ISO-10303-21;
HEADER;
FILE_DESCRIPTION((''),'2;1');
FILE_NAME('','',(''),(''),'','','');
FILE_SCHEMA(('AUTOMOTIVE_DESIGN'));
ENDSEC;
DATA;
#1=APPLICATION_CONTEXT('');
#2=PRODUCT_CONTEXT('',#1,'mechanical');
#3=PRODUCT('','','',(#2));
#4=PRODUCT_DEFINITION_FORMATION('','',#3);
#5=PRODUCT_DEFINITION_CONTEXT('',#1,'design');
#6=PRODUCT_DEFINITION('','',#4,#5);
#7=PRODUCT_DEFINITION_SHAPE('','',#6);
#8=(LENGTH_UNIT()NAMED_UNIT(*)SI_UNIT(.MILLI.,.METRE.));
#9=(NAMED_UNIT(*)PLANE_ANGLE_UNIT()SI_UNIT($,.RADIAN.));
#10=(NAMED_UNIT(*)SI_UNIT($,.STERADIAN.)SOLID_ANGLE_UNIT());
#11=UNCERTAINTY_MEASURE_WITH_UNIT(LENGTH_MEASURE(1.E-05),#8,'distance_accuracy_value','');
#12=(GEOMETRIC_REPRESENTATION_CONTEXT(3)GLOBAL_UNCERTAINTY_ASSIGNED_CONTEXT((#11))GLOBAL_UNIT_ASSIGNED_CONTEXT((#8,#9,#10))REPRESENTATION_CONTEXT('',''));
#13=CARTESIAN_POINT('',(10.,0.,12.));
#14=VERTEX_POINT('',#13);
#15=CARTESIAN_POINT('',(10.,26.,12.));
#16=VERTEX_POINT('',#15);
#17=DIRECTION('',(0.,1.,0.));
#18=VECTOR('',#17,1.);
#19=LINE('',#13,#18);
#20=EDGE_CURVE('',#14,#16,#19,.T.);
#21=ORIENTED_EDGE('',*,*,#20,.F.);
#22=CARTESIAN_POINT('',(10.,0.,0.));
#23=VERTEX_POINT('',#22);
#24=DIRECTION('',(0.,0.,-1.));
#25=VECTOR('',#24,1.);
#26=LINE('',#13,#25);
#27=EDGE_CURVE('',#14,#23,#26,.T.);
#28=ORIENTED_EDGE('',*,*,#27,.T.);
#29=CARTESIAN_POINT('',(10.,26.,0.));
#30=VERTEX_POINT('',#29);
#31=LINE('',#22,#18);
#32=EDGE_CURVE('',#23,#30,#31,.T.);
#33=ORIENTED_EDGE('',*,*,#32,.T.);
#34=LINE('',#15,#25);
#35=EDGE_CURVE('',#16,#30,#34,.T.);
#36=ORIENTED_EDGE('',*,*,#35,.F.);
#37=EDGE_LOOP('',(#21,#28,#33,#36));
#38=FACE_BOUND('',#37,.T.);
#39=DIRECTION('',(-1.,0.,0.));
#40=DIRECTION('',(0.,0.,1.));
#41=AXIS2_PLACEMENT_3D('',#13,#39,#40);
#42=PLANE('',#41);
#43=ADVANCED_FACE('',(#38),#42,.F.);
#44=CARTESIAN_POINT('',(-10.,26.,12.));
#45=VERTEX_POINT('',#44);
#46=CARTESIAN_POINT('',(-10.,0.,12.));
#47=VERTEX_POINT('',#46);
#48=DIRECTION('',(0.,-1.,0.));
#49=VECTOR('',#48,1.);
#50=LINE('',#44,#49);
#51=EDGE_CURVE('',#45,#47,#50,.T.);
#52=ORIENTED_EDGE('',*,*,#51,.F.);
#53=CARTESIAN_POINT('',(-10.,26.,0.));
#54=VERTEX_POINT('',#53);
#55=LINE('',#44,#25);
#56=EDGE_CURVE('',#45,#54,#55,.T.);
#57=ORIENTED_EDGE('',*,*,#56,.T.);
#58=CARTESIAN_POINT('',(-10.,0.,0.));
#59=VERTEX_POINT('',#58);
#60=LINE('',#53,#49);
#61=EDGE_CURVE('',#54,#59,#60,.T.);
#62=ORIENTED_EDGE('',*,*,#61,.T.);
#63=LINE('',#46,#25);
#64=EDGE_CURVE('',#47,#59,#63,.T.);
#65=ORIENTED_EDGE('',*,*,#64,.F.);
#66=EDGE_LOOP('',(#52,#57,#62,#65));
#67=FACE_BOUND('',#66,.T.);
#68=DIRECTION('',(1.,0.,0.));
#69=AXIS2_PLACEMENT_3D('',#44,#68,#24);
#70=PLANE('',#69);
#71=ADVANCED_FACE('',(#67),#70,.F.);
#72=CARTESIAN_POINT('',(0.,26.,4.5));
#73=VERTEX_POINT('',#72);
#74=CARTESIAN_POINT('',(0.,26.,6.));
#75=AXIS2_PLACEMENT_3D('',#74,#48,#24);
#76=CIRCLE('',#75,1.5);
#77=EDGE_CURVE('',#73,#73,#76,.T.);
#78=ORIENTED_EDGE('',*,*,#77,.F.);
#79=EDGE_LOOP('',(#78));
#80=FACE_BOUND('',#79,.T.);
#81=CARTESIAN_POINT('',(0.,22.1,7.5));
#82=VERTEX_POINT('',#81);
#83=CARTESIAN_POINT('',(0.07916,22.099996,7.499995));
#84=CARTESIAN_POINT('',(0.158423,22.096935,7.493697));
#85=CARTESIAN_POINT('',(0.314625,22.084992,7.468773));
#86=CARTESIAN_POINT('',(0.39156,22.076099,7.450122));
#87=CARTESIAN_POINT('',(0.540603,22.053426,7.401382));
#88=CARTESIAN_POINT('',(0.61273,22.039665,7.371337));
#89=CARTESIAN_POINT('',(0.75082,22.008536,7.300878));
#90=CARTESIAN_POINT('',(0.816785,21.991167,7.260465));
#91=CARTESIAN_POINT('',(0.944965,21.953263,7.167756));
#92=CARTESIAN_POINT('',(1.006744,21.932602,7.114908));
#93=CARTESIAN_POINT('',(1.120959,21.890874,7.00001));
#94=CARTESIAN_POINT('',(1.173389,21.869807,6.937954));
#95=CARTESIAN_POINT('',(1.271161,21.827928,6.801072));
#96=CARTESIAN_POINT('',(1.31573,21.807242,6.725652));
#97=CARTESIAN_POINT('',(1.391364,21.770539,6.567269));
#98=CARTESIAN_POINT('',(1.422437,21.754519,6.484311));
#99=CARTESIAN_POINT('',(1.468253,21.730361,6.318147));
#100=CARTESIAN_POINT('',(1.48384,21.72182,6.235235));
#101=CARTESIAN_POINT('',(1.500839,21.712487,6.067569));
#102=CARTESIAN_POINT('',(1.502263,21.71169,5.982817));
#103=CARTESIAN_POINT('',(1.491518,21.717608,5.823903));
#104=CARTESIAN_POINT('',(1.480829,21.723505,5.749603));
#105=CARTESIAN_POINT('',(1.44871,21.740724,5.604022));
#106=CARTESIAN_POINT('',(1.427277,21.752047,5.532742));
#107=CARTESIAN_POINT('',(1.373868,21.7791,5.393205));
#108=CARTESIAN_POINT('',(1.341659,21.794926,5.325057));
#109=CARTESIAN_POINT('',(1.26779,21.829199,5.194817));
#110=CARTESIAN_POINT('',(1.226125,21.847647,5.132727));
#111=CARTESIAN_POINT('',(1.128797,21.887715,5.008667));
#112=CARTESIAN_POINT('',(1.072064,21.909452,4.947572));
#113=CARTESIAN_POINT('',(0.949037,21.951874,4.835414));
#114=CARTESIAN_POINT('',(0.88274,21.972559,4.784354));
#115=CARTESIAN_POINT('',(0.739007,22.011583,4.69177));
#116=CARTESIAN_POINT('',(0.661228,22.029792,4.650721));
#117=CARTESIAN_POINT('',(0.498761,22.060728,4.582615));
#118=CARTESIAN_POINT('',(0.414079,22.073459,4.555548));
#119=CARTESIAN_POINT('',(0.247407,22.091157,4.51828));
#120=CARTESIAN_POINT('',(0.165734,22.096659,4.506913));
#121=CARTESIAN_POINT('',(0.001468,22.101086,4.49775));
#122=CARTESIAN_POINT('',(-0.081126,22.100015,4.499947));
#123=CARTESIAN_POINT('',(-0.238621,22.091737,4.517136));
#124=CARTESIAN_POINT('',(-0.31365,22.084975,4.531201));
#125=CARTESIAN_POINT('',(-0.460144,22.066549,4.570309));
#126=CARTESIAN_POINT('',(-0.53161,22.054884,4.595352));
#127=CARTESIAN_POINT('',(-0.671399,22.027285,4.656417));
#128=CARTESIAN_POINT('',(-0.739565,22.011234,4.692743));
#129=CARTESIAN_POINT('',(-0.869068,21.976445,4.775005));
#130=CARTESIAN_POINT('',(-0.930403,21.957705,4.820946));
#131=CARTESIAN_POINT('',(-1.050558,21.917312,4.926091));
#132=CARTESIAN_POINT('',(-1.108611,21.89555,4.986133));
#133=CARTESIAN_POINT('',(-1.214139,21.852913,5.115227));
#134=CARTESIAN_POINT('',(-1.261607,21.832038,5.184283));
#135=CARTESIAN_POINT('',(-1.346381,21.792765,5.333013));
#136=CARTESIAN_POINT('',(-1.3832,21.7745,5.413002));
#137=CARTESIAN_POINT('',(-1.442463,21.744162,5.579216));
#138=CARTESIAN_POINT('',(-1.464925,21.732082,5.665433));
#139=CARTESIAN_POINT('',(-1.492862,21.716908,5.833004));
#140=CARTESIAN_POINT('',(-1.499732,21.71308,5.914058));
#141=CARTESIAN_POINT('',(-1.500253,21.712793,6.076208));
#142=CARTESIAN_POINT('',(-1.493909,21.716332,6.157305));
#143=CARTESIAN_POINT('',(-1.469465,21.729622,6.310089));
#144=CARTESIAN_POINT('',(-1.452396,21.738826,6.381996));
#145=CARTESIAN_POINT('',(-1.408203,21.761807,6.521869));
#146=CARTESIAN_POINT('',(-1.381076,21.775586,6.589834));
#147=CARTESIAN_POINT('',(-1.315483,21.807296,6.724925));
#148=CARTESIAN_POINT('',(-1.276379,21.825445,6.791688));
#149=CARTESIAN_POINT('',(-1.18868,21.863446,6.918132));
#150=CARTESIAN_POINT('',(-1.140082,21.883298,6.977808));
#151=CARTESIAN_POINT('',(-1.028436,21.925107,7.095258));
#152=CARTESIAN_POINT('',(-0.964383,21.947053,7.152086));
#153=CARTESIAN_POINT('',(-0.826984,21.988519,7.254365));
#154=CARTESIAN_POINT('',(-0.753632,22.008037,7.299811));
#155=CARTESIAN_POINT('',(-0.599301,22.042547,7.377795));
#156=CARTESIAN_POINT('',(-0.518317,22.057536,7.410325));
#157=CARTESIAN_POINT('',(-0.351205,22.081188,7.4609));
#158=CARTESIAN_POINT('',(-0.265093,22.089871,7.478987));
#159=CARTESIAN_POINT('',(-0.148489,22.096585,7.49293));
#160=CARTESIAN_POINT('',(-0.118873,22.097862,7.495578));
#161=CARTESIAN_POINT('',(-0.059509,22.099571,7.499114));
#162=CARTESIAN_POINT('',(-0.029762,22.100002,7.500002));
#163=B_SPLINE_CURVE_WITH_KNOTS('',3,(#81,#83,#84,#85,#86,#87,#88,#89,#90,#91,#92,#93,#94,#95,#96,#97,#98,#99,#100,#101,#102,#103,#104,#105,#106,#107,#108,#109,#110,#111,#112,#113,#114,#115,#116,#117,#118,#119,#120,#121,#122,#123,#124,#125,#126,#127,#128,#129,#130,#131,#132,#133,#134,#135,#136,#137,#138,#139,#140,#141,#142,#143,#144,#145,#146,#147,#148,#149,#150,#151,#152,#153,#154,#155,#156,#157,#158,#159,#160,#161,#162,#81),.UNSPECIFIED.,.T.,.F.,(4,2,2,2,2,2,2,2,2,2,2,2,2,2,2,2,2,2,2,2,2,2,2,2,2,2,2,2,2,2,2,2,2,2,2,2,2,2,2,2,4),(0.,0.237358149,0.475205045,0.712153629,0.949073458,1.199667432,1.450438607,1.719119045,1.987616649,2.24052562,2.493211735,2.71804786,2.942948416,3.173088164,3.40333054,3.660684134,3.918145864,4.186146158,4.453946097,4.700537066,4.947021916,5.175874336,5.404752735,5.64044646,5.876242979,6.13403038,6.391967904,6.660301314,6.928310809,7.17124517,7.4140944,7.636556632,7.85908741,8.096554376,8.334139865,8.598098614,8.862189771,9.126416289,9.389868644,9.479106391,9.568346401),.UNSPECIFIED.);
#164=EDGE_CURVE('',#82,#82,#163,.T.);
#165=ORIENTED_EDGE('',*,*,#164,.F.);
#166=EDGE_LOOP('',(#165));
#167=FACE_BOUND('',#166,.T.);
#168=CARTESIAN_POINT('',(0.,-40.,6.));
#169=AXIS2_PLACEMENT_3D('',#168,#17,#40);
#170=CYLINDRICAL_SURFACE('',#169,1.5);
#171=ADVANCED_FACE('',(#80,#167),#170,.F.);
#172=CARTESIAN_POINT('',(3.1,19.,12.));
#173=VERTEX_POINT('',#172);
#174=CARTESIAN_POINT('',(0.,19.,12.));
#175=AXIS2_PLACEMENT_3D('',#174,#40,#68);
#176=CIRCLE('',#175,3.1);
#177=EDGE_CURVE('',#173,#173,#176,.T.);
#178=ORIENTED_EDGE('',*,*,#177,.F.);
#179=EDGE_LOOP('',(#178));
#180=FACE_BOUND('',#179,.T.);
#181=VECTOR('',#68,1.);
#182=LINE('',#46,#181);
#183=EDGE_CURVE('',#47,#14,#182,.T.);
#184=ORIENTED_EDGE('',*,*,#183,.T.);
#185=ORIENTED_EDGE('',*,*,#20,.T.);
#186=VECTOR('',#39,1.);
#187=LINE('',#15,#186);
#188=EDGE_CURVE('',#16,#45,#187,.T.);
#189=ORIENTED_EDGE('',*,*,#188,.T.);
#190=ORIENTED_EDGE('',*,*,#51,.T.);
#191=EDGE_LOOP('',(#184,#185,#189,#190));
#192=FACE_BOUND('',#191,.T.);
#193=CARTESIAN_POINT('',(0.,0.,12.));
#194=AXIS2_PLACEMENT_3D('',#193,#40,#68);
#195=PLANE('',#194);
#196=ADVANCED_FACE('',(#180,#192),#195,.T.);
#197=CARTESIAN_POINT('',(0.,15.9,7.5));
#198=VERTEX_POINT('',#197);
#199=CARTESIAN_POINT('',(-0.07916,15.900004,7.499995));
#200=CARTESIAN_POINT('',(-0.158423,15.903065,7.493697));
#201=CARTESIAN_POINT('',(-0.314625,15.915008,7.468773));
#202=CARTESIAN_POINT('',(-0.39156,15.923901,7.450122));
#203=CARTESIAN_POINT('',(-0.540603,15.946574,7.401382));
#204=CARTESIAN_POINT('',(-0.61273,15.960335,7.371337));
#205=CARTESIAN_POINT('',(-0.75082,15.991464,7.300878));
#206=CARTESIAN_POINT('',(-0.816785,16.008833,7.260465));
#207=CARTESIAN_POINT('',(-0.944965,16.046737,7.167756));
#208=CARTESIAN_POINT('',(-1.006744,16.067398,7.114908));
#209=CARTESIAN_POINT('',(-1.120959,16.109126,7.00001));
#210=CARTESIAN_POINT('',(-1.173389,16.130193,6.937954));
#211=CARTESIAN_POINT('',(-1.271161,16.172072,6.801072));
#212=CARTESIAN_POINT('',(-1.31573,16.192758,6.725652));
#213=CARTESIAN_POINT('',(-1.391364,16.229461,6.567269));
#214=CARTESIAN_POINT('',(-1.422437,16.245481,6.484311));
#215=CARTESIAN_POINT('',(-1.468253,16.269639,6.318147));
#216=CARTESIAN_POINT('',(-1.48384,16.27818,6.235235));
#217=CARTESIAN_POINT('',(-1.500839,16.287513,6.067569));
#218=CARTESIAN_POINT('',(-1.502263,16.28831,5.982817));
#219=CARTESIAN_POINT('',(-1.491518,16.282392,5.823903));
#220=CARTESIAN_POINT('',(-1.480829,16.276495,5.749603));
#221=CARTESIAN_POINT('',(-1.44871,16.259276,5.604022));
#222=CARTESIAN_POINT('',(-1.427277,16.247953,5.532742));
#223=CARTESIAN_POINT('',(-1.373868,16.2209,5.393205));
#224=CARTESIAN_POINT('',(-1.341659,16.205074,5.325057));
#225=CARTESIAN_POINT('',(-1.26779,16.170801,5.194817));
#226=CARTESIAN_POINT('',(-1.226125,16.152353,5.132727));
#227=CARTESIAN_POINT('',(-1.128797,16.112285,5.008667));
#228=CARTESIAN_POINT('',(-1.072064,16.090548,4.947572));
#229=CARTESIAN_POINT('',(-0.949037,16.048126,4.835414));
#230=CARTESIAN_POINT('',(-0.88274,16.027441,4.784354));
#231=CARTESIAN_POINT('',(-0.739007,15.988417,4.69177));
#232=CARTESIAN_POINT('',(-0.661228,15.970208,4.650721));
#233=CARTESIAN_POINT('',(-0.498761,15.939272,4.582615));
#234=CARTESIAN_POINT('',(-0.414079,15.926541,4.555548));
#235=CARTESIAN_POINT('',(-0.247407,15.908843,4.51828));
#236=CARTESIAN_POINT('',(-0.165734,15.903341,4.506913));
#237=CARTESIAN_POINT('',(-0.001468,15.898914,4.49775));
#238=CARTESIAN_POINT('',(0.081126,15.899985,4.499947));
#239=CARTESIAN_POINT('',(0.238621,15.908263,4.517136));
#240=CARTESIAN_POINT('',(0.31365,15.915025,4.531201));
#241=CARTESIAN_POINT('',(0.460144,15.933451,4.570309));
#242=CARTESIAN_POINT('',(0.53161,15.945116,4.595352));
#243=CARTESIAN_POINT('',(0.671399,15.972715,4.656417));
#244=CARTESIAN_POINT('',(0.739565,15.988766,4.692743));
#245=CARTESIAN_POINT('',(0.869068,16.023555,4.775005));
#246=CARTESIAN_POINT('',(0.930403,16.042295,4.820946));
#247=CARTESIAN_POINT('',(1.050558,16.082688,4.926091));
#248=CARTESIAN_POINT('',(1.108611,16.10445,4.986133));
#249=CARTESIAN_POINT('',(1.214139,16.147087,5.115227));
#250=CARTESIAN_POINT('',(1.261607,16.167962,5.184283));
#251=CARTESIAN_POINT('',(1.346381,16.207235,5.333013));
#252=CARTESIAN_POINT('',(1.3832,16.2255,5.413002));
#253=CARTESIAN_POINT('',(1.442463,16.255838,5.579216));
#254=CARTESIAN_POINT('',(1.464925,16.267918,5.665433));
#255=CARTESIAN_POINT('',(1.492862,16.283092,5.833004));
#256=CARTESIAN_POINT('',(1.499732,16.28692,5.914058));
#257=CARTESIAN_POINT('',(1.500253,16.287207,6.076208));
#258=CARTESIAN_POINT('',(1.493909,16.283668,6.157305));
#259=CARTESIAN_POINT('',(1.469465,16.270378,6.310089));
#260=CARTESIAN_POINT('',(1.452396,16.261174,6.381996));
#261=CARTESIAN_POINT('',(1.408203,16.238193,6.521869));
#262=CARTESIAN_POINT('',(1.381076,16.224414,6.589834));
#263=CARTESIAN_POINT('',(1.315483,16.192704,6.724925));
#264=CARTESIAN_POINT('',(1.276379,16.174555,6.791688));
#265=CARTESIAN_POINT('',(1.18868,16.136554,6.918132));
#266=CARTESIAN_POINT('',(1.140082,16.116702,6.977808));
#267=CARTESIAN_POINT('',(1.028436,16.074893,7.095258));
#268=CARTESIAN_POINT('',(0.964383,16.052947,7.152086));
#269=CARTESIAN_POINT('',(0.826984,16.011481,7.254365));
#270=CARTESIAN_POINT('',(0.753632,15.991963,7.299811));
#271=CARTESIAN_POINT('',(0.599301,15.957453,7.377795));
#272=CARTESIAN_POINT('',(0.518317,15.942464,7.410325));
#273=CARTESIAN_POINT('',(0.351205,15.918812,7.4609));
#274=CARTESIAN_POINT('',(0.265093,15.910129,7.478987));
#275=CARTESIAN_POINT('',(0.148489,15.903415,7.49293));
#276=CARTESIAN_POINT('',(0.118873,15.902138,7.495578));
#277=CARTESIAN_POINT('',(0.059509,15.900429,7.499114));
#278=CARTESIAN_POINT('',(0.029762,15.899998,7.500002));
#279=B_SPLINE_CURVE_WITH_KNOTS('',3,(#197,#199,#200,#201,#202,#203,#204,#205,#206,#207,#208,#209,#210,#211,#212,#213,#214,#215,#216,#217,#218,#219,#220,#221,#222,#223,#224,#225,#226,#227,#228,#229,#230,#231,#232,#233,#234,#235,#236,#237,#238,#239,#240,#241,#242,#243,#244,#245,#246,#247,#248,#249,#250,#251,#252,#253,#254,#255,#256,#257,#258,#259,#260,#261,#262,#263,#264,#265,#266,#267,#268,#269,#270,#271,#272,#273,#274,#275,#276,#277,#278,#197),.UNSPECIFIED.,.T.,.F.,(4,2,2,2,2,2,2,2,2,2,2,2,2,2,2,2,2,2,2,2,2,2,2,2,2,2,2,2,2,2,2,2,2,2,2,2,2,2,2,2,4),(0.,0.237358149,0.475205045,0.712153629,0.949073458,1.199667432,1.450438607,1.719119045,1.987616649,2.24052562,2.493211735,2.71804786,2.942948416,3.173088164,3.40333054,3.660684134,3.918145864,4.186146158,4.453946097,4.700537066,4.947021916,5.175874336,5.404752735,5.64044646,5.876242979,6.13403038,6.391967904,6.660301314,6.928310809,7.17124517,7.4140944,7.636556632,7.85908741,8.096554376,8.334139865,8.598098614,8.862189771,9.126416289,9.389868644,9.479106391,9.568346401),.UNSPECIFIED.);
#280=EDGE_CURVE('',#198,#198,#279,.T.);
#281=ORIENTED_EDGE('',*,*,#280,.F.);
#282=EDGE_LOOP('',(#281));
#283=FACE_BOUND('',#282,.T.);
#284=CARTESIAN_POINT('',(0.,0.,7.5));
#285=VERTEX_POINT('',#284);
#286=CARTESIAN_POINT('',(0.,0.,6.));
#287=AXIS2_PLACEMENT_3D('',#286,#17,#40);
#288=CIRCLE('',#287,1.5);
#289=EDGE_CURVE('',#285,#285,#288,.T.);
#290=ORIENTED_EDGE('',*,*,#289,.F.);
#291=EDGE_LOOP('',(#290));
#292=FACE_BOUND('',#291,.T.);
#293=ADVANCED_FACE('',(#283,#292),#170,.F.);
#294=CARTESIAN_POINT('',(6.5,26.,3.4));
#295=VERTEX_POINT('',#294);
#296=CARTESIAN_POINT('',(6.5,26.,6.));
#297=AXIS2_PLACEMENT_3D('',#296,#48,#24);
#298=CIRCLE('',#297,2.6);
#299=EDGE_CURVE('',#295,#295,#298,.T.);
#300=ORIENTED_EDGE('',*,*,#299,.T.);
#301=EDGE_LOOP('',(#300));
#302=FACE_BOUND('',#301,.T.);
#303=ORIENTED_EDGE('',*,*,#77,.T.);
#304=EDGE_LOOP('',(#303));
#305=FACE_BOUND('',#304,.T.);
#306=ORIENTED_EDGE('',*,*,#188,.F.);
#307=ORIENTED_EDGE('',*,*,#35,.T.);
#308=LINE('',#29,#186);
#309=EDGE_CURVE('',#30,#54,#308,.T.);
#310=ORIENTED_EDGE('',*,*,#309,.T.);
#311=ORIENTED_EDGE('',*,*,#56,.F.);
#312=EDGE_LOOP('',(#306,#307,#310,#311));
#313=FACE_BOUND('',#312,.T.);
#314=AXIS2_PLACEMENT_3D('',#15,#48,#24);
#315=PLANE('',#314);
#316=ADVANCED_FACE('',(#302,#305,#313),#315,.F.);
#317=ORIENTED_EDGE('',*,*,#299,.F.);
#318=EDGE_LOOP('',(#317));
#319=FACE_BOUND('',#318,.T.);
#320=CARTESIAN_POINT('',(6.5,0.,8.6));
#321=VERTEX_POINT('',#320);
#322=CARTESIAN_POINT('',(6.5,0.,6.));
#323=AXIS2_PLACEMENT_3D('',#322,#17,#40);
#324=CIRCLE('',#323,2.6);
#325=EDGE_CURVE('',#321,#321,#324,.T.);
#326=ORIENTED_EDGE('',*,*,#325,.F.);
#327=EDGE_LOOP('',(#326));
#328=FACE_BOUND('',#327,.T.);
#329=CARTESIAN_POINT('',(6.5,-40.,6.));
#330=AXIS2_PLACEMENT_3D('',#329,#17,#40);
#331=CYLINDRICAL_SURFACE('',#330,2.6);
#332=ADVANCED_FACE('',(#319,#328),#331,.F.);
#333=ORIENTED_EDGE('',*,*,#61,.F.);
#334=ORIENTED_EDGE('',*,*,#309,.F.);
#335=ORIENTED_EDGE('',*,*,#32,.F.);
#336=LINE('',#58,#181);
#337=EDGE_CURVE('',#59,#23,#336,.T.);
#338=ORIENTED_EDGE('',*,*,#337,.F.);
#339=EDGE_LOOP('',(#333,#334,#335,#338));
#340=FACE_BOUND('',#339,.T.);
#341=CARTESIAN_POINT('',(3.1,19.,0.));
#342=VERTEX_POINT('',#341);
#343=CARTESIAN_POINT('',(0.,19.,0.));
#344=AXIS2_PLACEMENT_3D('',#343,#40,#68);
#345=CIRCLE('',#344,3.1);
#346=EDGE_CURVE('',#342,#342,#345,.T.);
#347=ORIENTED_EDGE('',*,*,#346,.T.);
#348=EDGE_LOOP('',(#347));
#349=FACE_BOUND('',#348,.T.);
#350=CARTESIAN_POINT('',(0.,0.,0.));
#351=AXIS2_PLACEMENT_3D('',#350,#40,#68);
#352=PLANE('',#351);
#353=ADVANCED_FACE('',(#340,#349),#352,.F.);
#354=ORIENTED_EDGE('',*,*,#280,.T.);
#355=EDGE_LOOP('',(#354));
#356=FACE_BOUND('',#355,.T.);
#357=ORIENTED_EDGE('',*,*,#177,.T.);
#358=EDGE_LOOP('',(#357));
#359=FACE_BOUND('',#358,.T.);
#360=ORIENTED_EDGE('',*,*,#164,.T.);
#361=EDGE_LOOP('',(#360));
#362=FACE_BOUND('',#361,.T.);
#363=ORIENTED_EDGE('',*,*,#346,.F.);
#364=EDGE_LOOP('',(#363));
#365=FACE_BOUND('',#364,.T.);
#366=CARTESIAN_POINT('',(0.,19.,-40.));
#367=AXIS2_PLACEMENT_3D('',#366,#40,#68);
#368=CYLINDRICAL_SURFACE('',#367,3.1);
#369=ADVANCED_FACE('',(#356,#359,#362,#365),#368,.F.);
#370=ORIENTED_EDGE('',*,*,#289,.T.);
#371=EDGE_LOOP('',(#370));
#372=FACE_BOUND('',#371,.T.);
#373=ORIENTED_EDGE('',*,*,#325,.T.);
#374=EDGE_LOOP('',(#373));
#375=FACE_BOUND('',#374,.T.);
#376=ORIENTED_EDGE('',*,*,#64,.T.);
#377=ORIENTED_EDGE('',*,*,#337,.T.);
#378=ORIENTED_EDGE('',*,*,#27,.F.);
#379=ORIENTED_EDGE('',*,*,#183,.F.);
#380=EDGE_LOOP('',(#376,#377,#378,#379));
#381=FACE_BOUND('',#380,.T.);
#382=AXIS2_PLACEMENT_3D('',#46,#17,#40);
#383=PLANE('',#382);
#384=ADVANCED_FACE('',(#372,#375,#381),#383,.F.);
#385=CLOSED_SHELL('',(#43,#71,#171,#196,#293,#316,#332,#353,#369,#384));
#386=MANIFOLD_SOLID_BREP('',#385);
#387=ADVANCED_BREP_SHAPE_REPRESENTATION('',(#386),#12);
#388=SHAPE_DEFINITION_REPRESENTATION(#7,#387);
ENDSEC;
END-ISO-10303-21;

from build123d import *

# Parameters (mm, degrees)
SKETCH1_W           = 20
SKETCH1_H           = 26
BOSS_EXTRUDE1_DEPTH = 12
SKETCH2_R           = 3.1
CUT_EXTRUDE1_DEPTH  = 40
SKETCH3_R           = 2.6
SKETCH3_R_2         = 1.5
CUT_EXTRUDE2_DEPTH  = 40


with BuildPart() as part:
    # Sketch1 → Boss-Extrude1 (new body)
    with BuildSketch(Plane.XY):
        with Locations((0, 13)):
            Rectangle(SKETCH1_W, SKETCH1_H)
    extrude(amount=BOSS_EXTRUDE1_DEPTH)

    # Sketch2 → Cut-Extrude1 (cut, symmetric)
    with BuildSketch(Plane.XY):
        with Locations((0, 19)):
            Circle(SKETCH2_R)
    extrude(amount=CUT_EXTRUDE1_DEPTH, both=True, mode=Mode.SUBTRACT)

    # Sketch3 → Cut-Extrude2 (cut, symmetric)
    with BuildSketch(Plane(origin=(0, 0, 0), x_dir=(1, 0, 0), z_dir=(0, 1, 0))):
        with Locations((6.5, -6)):
            Circle(SKETCH3_R)
        with Locations((0, -6)):
            Circle(SKETCH3_R_2)
    extrude(amount=CUT_EXTRUDE2_DEPTH, both=True, mode=Mode.SUBTRACT)


solid = part.part
